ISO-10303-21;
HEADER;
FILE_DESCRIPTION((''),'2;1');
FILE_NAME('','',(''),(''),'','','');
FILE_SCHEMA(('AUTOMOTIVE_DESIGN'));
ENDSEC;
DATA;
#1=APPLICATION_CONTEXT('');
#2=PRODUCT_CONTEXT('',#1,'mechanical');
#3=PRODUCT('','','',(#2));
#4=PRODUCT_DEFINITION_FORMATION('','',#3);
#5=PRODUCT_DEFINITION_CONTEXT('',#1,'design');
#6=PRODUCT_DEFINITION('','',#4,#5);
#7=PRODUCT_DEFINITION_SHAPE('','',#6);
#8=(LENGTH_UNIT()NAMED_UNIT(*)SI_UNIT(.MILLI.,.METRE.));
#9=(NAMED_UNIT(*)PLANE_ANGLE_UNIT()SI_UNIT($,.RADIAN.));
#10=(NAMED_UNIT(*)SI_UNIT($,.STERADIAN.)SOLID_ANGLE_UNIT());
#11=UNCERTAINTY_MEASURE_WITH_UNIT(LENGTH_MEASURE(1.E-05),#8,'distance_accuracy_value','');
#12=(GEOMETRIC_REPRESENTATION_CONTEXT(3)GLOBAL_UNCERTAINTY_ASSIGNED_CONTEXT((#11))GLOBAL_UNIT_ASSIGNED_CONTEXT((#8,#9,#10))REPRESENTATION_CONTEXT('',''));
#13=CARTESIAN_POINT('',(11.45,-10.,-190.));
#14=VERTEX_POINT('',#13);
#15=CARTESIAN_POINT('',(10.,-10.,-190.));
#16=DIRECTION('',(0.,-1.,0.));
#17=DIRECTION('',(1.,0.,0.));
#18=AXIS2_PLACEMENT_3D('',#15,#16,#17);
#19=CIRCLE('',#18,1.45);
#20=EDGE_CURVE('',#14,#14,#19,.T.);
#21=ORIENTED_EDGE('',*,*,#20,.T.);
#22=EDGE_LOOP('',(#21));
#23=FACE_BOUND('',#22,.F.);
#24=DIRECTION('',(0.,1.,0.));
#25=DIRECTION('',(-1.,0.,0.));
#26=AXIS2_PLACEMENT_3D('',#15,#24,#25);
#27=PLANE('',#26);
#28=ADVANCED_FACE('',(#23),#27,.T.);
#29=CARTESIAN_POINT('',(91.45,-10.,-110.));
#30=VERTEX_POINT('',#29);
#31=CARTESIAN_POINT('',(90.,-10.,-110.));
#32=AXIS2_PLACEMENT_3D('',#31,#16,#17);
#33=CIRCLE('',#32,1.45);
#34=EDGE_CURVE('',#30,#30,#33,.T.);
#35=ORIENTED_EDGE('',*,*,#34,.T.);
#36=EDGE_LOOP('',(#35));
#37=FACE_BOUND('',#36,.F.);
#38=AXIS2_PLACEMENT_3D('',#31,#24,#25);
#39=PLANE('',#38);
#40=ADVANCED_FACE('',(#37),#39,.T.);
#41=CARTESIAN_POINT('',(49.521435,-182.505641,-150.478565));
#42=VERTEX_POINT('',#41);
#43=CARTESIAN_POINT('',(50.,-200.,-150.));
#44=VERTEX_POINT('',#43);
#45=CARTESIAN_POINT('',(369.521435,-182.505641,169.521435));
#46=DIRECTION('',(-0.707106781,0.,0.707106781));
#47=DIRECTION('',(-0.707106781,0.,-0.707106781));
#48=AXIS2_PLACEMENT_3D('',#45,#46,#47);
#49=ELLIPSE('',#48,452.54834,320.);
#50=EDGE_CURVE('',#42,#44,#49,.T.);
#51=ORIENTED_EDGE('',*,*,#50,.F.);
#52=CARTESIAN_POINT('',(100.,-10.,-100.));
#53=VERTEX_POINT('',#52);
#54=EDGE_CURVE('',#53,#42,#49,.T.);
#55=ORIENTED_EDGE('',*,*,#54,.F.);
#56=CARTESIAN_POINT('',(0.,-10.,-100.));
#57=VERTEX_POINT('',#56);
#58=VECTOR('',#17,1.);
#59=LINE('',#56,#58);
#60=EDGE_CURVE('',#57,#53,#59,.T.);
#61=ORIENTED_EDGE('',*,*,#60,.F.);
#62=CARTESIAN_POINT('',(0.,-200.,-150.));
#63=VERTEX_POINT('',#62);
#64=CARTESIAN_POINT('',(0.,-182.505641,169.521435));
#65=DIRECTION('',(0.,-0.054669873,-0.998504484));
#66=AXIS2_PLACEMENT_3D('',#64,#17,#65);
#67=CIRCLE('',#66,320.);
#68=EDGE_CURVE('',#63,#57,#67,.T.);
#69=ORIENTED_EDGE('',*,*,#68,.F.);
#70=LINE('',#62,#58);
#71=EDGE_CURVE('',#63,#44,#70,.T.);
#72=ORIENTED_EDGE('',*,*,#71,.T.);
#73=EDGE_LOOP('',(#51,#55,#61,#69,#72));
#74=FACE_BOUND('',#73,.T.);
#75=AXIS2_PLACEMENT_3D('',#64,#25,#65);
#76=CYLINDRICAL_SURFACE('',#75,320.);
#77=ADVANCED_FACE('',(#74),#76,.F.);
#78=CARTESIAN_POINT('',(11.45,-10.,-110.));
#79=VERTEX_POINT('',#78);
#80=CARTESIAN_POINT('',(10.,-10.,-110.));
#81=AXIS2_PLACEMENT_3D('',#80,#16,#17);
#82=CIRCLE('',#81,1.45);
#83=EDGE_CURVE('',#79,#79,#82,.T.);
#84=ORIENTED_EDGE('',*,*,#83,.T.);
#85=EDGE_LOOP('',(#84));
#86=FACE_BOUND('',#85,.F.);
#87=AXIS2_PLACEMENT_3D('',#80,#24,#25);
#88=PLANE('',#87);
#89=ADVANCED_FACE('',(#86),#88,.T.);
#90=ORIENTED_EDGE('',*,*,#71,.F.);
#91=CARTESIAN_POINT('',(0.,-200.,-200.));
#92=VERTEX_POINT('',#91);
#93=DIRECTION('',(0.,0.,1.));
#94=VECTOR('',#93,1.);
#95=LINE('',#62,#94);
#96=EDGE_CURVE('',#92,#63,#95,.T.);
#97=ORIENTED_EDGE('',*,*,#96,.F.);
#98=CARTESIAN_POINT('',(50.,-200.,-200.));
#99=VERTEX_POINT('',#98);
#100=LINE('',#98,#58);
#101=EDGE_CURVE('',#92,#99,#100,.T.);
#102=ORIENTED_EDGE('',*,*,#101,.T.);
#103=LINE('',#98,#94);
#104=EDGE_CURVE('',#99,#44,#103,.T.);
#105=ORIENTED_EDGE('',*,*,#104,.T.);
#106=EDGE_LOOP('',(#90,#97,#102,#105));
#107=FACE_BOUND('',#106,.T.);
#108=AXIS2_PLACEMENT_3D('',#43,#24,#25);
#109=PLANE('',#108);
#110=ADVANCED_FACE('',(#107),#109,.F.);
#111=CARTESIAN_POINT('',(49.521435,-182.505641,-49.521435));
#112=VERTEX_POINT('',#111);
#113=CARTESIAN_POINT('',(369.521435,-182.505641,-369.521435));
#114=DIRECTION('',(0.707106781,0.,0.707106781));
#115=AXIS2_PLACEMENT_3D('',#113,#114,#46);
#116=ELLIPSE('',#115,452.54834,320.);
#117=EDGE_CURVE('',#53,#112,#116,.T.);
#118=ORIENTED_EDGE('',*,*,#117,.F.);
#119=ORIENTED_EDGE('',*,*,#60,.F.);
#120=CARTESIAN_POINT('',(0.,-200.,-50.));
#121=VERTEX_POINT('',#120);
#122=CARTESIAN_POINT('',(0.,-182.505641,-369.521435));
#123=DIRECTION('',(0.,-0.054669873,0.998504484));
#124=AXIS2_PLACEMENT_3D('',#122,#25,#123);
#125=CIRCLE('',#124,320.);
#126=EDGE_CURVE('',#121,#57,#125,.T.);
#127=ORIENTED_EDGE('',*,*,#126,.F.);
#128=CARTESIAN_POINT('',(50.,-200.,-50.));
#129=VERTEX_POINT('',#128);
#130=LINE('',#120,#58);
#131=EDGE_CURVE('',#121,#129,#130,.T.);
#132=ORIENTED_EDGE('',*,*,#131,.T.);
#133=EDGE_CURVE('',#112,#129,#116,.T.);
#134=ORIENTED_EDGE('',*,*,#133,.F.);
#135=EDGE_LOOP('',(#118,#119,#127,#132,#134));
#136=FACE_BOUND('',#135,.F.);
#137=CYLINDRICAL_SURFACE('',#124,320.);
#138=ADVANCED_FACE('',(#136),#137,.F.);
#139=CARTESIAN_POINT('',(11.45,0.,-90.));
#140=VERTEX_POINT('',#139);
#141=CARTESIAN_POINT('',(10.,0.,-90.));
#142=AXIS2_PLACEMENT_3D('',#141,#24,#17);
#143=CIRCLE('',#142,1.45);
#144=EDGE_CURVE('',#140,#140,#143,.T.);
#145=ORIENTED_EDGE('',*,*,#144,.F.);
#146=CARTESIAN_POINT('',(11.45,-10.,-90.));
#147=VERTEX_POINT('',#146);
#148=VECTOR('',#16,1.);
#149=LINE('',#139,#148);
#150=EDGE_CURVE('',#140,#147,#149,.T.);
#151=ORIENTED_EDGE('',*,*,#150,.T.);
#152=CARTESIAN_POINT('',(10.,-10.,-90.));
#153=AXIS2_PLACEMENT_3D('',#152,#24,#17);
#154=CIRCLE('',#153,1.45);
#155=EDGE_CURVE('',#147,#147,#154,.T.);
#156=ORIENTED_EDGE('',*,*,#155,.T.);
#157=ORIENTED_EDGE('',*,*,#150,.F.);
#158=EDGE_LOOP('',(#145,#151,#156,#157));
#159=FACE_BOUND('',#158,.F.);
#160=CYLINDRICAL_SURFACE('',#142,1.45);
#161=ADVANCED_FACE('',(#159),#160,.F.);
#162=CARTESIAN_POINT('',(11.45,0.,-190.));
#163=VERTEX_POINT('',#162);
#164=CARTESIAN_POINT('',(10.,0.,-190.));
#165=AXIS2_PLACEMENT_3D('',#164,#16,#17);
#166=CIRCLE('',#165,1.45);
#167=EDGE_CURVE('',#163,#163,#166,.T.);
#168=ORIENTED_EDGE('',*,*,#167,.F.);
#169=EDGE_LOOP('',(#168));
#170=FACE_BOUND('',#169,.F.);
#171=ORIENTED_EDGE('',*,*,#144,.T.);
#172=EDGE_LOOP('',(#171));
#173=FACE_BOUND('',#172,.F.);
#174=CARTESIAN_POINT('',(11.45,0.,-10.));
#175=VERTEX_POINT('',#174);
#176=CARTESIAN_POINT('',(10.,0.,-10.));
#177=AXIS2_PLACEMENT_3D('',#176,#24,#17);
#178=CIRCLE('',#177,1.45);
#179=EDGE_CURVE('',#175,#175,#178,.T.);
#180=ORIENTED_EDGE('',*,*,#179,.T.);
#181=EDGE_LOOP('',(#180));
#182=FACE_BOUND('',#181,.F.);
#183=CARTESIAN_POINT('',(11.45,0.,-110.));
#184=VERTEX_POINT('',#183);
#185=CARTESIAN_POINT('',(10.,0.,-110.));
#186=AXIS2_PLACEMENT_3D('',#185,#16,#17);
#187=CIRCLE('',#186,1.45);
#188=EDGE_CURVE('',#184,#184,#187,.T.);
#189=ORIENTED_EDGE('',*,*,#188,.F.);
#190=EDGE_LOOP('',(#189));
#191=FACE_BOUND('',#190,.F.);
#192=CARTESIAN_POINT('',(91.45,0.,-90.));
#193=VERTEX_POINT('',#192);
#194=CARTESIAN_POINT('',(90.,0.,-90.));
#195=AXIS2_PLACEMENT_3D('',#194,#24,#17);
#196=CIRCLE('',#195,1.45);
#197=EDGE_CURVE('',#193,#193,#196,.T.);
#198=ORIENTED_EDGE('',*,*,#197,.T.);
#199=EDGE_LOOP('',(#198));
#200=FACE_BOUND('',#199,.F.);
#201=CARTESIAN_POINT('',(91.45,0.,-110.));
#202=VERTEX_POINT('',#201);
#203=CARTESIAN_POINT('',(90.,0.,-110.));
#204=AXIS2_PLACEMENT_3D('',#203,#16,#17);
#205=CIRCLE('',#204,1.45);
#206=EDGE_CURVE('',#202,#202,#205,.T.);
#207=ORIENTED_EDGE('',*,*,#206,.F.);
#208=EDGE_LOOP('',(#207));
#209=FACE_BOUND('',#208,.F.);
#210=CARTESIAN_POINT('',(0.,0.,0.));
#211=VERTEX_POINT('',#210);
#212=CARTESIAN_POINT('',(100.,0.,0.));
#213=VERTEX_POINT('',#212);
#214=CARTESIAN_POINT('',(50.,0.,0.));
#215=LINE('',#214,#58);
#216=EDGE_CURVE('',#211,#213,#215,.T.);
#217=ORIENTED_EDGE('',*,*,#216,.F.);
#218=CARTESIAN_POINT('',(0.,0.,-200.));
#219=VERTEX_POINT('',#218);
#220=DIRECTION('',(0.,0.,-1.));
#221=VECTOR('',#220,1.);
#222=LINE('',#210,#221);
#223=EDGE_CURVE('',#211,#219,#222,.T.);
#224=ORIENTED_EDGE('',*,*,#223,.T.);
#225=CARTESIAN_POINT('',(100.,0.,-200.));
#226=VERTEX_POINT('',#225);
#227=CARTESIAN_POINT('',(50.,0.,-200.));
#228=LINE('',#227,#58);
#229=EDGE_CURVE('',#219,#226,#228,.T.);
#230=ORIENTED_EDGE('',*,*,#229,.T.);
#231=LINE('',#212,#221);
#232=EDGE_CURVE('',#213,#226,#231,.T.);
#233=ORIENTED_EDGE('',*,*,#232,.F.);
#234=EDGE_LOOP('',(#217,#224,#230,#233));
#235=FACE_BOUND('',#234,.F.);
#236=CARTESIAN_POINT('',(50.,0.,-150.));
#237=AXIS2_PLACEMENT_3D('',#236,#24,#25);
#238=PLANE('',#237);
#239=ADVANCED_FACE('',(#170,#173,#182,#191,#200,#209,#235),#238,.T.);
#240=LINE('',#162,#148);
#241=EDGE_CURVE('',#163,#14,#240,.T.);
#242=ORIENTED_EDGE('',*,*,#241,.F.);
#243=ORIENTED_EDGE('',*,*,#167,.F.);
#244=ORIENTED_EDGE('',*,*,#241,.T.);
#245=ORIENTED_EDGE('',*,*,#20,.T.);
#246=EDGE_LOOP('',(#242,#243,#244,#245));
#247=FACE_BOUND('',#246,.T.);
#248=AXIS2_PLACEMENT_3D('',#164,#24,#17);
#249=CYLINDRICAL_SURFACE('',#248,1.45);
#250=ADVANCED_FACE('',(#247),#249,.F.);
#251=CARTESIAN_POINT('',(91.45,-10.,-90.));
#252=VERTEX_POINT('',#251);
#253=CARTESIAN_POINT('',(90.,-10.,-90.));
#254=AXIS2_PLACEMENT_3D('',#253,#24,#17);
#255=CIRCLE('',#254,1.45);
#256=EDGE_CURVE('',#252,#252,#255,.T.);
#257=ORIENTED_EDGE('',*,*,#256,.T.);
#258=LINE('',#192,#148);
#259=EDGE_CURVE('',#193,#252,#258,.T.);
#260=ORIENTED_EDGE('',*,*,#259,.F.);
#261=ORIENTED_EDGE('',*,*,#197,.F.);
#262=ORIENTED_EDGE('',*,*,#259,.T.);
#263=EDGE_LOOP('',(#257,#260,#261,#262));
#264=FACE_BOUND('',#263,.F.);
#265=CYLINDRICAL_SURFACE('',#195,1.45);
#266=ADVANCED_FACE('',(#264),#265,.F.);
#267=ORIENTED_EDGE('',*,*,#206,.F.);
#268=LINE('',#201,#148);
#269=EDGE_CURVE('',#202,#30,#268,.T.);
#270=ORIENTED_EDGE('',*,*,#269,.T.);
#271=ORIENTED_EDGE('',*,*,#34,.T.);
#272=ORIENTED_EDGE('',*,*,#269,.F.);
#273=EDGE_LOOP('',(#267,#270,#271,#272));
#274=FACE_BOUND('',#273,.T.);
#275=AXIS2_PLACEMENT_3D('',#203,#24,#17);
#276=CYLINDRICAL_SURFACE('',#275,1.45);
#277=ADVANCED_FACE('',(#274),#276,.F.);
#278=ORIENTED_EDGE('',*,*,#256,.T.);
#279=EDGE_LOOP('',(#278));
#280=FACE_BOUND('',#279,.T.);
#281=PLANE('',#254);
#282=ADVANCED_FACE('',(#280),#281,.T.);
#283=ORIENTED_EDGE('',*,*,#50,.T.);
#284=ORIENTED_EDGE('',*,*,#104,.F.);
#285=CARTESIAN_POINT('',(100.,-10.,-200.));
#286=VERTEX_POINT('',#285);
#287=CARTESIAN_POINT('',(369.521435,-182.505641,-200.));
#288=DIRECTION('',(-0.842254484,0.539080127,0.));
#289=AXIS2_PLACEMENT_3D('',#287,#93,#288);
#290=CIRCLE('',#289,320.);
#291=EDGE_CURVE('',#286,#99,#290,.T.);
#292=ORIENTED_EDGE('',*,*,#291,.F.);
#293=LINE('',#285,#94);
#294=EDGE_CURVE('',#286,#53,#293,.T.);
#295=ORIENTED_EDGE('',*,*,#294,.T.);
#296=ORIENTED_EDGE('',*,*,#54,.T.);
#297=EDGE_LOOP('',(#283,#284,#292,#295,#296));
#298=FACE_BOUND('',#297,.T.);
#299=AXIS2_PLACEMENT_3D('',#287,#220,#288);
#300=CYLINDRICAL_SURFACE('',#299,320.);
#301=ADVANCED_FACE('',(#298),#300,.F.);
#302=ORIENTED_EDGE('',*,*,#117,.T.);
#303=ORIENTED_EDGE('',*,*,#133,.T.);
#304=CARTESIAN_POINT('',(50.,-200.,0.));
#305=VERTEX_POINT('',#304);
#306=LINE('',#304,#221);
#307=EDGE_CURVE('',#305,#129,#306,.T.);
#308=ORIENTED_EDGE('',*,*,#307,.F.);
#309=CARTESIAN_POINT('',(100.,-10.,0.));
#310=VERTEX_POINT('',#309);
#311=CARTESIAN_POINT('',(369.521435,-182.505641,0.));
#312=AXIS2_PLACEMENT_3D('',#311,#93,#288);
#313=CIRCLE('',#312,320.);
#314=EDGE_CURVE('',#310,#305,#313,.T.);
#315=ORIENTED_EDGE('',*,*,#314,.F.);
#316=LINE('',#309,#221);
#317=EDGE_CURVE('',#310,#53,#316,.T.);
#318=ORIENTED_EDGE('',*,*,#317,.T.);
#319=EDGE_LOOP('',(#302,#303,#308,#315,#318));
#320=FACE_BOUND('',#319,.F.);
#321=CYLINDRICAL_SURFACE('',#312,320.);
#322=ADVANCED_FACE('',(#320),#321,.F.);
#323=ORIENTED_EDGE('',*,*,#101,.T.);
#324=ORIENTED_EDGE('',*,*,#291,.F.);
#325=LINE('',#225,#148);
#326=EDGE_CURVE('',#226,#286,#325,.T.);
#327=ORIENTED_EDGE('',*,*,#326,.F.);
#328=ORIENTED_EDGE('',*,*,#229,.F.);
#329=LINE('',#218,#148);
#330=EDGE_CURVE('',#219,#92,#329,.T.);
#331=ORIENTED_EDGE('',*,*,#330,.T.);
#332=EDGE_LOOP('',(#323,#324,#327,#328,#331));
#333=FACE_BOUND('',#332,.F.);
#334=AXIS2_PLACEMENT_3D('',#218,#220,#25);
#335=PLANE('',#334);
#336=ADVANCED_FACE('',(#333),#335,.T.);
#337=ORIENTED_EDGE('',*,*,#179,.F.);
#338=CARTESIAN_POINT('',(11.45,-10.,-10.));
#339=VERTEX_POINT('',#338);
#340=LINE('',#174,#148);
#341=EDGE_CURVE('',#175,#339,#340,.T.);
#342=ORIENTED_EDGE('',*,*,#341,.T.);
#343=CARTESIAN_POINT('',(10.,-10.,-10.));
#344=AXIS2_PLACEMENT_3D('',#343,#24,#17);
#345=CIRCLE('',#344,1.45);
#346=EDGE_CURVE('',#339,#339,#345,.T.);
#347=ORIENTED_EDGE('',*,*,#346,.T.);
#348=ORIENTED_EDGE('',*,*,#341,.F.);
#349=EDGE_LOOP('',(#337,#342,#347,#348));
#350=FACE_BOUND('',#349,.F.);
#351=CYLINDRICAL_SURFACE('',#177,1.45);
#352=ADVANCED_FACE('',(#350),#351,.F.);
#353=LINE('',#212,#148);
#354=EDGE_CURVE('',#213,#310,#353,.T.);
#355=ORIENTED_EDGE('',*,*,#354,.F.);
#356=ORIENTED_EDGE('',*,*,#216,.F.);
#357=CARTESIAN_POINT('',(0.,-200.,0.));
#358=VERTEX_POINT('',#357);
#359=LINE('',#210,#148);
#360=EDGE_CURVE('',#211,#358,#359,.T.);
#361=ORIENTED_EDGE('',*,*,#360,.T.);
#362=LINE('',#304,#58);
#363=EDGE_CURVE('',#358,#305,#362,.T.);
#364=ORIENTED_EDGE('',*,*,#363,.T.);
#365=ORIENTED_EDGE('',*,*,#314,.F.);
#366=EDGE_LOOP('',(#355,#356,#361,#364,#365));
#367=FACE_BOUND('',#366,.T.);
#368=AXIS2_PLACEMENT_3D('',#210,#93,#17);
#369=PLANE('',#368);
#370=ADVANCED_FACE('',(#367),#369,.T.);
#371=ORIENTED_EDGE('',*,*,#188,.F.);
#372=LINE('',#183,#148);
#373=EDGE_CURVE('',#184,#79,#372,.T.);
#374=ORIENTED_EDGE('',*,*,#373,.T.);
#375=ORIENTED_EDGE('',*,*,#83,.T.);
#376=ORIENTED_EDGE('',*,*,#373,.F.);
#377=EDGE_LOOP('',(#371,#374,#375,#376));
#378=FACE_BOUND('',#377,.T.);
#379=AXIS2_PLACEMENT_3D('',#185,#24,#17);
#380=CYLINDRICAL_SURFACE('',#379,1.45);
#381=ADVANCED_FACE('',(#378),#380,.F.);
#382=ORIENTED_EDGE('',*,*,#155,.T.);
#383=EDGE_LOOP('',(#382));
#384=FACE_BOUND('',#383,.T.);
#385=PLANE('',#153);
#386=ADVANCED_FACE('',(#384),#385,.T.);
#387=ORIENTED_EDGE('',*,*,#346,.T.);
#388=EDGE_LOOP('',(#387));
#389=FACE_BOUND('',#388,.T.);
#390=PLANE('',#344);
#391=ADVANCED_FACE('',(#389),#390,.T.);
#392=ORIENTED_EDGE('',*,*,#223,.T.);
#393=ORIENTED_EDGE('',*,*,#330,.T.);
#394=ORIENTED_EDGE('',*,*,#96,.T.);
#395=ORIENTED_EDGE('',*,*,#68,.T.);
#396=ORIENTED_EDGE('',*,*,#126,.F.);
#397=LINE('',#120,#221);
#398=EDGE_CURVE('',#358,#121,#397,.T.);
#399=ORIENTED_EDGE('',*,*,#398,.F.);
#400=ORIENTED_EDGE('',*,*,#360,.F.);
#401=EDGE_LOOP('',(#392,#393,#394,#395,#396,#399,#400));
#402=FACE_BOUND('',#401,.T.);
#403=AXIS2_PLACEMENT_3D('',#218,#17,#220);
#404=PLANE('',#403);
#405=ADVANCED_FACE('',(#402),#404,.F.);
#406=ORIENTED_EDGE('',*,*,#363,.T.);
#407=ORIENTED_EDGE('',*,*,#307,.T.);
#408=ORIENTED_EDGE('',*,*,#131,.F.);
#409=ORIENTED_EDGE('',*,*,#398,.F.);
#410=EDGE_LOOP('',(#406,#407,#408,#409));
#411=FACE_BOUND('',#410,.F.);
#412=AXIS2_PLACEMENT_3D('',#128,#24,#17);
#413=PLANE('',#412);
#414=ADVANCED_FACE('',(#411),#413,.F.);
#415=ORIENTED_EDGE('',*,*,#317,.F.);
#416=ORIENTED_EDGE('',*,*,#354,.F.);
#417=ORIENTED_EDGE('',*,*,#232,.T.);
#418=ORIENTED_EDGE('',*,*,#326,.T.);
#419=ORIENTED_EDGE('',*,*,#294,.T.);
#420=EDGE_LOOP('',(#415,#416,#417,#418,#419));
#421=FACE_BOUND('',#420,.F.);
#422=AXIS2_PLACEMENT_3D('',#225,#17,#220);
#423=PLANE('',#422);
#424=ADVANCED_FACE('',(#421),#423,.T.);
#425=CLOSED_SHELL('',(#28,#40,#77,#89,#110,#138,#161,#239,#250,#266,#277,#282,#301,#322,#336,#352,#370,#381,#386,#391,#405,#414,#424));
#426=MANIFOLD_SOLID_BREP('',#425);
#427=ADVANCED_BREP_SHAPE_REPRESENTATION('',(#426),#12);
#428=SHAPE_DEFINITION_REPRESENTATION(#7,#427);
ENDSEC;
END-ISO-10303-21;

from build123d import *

# Parameters (mm, degrees)
SKETCH1_W           = 100
SKETCH1_H           = 100
BOSS_EXTRUDE1_DEPTH = 200
CUT_EXTRUDE1_DEPTH  = 200
CUT_EXTRUDE2_DEPTH  = 200
SKETCH4_R           = 1.45
CUT_EXTRUDE3_DEPTH  = 10


with BuildPart() as part:
    # Sketch1 → Boss-Extrude1 (new body)
    with BuildSketch(Plane(origin=(0, 0, 0), x_dir=(1, 0, 0), z_dir=(0, 1, 0))):
        with Locations((50, 50)):
            Rectangle(SKETCH1_W, SKETCH1_H)
    extrude(amount=-BOSS_EXTRUDE1_DEPTH)

    # Sketch2 → Cut-Extrude1 (cut)
    with BuildSketch(Plane.XY):
        with BuildLine():
            ThreePointArc((100, -10), (60.05758303, -101.067785008), (50, -200))
            Line((50, -200), (100, -200))
            Line((100, -200), (100, -10))
        make_face()
    extrude(amount=-CUT_EXTRUDE1_DEPTH, mode=Mode.SUBTRACT)

    # Sketch3 → Cut-Extrude2 (cut)
    with BuildSketch(Plane.ZY):
        with BuildLine():
            ThreePointArc((-50, -200), (-60.05758303, -101.067785008), (-100, -10))
            Line((-100, -10), (-100, -200))
            Line((-100, -200), (-50, -200))
        make_face()
    extrude(amount=-CUT_EXTRUDE2_DEPTH, mode=Mode.SUBTRACT)

    # Sketch4 → Cut-Extrude3 (cut)
    with BuildSketch(Plane(origin=(0, 0, 0), x_dir=(1, 0, 0), z_dir=(0, 1, 0))):
        with Locations((10, 90)):
            Circle(SKETCH4_R)
        with Locations((90, 90)):
            Circle(SKETCH4_R)
        with Locations((10, 10)):
            Circle(SKETCH4_R)
    extrude(amount=-CUT_EXTRUDE3_DEPTH, mode=Mode.SUBTRACT)

    # Mirror1: part across plane


with BuildPart() as part_1:
    add(part.part)
    add(part.part.mirror(Plane(origin=(0, -200, -100), x_dir=(1, 0, 0), z_dir=(0, 0, -1))))


solid = part_1.part
